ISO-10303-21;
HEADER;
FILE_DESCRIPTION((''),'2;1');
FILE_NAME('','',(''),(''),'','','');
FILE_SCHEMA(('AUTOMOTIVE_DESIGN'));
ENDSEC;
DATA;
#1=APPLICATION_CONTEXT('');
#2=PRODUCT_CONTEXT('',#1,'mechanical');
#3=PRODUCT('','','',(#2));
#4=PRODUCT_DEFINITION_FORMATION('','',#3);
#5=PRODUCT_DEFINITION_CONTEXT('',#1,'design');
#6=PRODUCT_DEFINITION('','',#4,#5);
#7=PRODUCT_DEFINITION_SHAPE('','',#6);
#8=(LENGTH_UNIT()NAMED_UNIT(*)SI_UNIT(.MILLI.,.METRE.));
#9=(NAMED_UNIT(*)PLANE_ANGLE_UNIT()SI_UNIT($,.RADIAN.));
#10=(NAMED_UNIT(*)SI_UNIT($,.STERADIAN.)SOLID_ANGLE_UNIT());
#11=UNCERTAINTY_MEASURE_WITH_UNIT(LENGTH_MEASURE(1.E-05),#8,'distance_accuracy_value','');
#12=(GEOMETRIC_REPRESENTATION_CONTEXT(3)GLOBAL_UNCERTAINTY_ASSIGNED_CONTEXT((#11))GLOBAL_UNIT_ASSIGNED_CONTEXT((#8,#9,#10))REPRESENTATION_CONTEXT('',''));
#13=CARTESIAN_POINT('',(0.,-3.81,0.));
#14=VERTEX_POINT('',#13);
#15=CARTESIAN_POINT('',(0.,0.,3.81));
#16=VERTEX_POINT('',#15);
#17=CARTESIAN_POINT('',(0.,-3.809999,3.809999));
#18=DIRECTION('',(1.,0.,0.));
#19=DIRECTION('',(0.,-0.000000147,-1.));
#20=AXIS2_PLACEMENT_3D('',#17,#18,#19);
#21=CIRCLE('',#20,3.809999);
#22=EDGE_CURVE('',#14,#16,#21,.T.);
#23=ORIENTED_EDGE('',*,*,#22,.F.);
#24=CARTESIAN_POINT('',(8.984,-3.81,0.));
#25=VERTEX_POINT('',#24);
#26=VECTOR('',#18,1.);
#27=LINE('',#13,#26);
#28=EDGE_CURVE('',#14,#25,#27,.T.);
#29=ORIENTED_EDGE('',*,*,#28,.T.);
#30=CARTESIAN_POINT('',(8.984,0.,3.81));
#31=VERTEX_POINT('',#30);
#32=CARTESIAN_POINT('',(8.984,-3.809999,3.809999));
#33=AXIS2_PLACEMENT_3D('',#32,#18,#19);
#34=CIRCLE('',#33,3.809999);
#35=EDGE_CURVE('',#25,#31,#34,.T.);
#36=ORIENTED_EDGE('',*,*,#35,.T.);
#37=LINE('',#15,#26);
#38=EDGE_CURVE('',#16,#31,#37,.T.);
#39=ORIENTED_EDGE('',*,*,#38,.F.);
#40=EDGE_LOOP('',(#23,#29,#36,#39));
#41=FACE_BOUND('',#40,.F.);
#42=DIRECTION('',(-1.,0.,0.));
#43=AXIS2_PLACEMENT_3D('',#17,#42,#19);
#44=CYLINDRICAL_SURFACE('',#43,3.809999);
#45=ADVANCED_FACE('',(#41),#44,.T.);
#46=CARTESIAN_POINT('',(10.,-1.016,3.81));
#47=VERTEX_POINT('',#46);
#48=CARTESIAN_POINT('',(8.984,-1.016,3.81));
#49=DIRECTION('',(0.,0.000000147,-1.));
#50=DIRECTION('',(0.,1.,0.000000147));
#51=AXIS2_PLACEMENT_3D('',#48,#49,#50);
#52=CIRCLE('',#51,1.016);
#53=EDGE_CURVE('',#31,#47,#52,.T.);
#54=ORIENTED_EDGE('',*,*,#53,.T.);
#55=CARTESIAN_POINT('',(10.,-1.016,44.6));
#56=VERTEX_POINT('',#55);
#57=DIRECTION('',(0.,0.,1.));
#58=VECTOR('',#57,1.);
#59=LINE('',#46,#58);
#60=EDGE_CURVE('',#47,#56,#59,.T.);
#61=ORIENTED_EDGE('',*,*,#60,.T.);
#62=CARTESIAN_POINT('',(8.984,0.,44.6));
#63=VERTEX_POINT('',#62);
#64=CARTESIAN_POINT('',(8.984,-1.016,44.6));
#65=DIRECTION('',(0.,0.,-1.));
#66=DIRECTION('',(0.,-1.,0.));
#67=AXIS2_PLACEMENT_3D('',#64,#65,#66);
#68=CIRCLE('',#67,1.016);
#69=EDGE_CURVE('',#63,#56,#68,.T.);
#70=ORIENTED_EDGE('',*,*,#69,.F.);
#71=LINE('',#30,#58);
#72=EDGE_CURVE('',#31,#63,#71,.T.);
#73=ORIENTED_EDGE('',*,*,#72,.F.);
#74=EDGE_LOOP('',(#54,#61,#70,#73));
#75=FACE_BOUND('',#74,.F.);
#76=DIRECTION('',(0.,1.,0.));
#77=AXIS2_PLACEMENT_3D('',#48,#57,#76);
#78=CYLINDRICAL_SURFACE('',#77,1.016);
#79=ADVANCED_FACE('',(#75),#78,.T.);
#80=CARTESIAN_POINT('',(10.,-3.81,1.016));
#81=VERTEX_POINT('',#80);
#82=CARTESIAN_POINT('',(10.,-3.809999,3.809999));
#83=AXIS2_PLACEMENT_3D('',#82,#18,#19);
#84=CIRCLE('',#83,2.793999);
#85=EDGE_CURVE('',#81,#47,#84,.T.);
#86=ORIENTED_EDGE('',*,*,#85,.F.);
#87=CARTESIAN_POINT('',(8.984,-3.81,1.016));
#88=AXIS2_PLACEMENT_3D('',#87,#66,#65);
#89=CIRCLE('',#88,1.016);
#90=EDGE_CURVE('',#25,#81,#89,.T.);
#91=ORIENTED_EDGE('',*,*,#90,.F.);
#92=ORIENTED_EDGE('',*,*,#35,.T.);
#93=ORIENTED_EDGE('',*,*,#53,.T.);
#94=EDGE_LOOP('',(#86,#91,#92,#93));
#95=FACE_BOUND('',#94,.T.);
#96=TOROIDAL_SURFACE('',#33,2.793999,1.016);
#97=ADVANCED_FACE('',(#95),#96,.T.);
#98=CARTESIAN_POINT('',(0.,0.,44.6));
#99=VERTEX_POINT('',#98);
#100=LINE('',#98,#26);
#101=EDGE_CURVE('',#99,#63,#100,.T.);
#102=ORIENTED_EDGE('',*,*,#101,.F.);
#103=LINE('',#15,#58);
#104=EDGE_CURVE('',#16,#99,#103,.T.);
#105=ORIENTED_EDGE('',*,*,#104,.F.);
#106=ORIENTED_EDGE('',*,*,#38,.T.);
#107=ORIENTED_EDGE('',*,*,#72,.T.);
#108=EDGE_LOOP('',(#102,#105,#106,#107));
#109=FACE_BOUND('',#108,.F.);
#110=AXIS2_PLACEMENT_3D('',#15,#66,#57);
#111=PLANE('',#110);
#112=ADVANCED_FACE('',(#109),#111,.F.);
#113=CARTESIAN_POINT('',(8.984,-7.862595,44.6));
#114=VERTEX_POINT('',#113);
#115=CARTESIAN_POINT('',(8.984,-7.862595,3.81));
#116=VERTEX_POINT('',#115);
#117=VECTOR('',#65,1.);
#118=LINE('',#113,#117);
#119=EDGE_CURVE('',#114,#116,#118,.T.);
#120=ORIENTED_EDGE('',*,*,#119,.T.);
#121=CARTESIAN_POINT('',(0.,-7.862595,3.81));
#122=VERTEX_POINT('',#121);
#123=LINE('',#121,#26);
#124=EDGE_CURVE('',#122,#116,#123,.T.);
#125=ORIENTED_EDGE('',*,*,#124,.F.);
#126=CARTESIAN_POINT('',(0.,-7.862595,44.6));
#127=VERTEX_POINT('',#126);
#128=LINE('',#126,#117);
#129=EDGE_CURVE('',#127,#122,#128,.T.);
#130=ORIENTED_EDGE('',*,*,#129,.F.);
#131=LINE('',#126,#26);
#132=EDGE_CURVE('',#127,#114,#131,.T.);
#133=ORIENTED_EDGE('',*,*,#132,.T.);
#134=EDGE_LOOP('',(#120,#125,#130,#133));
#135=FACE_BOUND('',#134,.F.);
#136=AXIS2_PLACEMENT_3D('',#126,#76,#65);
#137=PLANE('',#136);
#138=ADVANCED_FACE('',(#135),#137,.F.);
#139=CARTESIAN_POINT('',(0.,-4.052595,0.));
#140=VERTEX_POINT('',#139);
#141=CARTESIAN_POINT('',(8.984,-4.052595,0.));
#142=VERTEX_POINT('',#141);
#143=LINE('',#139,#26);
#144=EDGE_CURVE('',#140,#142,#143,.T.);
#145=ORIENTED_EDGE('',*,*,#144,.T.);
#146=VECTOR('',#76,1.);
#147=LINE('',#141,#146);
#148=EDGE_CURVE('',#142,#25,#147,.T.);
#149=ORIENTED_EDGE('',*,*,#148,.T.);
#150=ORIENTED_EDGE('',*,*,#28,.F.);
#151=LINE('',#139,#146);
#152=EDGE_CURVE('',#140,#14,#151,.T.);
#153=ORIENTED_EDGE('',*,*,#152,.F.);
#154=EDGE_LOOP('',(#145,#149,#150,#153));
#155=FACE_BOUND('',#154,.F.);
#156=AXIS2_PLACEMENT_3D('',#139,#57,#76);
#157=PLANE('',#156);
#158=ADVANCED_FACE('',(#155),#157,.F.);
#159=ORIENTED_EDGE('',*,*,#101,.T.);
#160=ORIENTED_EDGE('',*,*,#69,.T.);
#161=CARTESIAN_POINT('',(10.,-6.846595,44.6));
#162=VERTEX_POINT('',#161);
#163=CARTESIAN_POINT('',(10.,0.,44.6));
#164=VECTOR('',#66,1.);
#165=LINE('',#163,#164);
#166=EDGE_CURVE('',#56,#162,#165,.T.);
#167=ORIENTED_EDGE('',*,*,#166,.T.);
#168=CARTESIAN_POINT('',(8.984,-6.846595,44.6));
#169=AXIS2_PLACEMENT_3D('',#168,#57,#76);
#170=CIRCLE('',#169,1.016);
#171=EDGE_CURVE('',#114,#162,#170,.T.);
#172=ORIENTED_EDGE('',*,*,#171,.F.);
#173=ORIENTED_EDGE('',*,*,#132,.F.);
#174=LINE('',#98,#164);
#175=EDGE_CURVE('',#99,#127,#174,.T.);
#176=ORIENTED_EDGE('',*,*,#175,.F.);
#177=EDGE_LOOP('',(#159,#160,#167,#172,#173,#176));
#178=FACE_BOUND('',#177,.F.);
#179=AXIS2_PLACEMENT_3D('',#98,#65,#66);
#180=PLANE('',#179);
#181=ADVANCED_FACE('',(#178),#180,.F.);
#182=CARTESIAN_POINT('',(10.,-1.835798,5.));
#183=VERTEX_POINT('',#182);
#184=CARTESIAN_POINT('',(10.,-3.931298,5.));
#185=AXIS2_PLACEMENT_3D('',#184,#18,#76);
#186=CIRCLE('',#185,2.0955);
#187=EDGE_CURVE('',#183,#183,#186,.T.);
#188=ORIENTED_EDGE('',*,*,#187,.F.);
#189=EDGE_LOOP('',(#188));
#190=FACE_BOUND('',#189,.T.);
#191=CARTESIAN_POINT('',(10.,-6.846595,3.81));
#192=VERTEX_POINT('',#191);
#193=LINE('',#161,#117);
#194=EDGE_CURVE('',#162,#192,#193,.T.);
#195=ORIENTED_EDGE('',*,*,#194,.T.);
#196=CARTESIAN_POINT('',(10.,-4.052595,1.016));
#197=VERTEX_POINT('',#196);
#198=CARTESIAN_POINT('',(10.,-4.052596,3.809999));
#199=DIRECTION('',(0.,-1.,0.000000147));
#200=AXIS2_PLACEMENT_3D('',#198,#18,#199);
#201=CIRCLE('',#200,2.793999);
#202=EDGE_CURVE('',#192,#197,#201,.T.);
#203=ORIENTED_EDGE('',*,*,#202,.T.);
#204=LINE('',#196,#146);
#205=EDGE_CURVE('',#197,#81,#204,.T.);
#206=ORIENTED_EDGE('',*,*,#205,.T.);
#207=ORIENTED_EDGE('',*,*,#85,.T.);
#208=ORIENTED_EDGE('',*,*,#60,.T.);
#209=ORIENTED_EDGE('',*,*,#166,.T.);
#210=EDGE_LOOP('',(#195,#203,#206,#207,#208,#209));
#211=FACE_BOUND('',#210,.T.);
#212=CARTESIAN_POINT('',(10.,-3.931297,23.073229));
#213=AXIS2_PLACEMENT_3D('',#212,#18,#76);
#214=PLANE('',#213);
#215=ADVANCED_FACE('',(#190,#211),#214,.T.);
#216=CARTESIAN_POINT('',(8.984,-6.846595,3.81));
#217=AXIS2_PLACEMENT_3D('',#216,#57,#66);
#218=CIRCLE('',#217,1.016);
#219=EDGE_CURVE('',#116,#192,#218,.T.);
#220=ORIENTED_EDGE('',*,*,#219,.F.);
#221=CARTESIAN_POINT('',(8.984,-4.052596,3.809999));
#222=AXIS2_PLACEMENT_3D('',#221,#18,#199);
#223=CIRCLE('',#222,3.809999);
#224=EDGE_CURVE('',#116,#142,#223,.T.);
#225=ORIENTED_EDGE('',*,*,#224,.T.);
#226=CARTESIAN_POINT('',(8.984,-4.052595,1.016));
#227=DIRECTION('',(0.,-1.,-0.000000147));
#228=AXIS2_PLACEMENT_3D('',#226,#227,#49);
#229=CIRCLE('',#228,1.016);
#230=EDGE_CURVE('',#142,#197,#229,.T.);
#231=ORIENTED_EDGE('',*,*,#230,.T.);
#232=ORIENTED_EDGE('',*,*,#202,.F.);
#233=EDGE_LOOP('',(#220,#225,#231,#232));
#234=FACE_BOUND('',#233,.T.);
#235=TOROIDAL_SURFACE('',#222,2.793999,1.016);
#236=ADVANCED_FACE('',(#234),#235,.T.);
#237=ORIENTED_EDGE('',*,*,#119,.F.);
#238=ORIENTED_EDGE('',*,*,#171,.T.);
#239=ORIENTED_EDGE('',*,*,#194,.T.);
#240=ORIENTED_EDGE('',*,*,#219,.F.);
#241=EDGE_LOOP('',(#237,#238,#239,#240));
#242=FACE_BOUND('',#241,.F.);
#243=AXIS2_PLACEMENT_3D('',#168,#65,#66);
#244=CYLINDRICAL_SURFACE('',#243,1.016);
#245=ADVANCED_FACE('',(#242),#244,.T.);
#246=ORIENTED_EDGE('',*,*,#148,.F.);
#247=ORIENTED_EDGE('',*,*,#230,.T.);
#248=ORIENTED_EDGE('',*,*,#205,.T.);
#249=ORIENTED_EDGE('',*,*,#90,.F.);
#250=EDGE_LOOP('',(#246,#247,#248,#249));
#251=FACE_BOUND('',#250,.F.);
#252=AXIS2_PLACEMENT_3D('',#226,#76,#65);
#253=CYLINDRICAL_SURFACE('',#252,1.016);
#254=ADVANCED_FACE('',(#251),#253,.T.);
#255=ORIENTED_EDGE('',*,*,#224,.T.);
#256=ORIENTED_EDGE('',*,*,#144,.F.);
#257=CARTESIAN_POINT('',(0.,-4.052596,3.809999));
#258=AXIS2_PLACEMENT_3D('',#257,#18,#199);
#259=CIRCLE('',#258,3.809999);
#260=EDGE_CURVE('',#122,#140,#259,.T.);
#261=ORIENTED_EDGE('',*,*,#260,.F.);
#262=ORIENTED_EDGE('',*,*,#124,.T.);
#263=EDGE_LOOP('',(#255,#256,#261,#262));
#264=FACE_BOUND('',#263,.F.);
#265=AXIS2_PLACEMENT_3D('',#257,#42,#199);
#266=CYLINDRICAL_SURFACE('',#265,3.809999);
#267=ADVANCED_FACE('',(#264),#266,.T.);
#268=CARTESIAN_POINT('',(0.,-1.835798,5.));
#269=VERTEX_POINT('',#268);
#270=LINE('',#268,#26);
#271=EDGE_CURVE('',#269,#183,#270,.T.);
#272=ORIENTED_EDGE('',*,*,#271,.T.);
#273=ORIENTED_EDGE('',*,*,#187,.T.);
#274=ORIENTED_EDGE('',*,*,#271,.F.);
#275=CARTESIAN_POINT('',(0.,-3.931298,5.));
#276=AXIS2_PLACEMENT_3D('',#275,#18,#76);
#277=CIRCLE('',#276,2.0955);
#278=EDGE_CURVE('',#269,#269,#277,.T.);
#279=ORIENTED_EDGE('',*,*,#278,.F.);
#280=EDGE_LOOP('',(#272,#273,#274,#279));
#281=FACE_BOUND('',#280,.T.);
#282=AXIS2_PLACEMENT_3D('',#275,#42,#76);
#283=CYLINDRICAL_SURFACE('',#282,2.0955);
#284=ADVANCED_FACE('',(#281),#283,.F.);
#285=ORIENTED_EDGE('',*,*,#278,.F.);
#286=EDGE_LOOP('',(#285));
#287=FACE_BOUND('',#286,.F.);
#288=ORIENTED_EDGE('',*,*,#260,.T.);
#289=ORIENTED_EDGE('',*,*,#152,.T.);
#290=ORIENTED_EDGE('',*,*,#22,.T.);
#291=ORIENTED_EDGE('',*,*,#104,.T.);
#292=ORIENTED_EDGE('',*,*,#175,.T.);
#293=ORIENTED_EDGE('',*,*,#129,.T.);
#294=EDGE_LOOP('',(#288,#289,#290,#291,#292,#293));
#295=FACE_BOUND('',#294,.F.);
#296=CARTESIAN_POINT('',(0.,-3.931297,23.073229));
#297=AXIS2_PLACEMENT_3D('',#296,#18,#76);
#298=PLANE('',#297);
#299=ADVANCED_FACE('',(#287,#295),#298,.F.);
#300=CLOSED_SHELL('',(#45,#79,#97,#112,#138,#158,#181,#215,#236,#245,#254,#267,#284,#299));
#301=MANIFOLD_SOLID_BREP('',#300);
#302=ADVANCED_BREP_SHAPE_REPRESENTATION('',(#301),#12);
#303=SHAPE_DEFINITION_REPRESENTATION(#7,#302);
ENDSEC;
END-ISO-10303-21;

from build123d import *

# Parameters (mm, degrees)
F0_R     = 2.0955
F1_DEPTH = 10
F2_R     = 1.016


with BuildPart() as f1:
    # F0 (on Right) → F1 (new body)
    with BuildSketch(Plane.YZ):
        with BuildLine():
            Line((-4.052595, 0), (-3.81, 0))
            ThreePointArc((-3.81, 0), (-1.115923, 1.115923), (0, 3.81))
            Line((0, 3.81), (0, 44.6))
            Line((0, 44.6), (-7.862595, 44.6))
            Line((-7.862595, 44.6), (-7.862595, 3.81))
            ThreePointArc((-7.862595, 3.81), (-6.746672, 1.115923), (-4.052595, 0))
        make_face()
        with Locations((-3.931298, 5)):
            Circle(F0_R, mode=Mode.SUBTRACT)
    extrude(amount=F1_DEPTH)

    # F2
    f2_edges = [f1.edges().sort_by_distance(p)[0] for p in [
        (10, 0, 24.205),
    ]]
    fillet(f2_edges, radius=F2_R)


solid = f1.part
